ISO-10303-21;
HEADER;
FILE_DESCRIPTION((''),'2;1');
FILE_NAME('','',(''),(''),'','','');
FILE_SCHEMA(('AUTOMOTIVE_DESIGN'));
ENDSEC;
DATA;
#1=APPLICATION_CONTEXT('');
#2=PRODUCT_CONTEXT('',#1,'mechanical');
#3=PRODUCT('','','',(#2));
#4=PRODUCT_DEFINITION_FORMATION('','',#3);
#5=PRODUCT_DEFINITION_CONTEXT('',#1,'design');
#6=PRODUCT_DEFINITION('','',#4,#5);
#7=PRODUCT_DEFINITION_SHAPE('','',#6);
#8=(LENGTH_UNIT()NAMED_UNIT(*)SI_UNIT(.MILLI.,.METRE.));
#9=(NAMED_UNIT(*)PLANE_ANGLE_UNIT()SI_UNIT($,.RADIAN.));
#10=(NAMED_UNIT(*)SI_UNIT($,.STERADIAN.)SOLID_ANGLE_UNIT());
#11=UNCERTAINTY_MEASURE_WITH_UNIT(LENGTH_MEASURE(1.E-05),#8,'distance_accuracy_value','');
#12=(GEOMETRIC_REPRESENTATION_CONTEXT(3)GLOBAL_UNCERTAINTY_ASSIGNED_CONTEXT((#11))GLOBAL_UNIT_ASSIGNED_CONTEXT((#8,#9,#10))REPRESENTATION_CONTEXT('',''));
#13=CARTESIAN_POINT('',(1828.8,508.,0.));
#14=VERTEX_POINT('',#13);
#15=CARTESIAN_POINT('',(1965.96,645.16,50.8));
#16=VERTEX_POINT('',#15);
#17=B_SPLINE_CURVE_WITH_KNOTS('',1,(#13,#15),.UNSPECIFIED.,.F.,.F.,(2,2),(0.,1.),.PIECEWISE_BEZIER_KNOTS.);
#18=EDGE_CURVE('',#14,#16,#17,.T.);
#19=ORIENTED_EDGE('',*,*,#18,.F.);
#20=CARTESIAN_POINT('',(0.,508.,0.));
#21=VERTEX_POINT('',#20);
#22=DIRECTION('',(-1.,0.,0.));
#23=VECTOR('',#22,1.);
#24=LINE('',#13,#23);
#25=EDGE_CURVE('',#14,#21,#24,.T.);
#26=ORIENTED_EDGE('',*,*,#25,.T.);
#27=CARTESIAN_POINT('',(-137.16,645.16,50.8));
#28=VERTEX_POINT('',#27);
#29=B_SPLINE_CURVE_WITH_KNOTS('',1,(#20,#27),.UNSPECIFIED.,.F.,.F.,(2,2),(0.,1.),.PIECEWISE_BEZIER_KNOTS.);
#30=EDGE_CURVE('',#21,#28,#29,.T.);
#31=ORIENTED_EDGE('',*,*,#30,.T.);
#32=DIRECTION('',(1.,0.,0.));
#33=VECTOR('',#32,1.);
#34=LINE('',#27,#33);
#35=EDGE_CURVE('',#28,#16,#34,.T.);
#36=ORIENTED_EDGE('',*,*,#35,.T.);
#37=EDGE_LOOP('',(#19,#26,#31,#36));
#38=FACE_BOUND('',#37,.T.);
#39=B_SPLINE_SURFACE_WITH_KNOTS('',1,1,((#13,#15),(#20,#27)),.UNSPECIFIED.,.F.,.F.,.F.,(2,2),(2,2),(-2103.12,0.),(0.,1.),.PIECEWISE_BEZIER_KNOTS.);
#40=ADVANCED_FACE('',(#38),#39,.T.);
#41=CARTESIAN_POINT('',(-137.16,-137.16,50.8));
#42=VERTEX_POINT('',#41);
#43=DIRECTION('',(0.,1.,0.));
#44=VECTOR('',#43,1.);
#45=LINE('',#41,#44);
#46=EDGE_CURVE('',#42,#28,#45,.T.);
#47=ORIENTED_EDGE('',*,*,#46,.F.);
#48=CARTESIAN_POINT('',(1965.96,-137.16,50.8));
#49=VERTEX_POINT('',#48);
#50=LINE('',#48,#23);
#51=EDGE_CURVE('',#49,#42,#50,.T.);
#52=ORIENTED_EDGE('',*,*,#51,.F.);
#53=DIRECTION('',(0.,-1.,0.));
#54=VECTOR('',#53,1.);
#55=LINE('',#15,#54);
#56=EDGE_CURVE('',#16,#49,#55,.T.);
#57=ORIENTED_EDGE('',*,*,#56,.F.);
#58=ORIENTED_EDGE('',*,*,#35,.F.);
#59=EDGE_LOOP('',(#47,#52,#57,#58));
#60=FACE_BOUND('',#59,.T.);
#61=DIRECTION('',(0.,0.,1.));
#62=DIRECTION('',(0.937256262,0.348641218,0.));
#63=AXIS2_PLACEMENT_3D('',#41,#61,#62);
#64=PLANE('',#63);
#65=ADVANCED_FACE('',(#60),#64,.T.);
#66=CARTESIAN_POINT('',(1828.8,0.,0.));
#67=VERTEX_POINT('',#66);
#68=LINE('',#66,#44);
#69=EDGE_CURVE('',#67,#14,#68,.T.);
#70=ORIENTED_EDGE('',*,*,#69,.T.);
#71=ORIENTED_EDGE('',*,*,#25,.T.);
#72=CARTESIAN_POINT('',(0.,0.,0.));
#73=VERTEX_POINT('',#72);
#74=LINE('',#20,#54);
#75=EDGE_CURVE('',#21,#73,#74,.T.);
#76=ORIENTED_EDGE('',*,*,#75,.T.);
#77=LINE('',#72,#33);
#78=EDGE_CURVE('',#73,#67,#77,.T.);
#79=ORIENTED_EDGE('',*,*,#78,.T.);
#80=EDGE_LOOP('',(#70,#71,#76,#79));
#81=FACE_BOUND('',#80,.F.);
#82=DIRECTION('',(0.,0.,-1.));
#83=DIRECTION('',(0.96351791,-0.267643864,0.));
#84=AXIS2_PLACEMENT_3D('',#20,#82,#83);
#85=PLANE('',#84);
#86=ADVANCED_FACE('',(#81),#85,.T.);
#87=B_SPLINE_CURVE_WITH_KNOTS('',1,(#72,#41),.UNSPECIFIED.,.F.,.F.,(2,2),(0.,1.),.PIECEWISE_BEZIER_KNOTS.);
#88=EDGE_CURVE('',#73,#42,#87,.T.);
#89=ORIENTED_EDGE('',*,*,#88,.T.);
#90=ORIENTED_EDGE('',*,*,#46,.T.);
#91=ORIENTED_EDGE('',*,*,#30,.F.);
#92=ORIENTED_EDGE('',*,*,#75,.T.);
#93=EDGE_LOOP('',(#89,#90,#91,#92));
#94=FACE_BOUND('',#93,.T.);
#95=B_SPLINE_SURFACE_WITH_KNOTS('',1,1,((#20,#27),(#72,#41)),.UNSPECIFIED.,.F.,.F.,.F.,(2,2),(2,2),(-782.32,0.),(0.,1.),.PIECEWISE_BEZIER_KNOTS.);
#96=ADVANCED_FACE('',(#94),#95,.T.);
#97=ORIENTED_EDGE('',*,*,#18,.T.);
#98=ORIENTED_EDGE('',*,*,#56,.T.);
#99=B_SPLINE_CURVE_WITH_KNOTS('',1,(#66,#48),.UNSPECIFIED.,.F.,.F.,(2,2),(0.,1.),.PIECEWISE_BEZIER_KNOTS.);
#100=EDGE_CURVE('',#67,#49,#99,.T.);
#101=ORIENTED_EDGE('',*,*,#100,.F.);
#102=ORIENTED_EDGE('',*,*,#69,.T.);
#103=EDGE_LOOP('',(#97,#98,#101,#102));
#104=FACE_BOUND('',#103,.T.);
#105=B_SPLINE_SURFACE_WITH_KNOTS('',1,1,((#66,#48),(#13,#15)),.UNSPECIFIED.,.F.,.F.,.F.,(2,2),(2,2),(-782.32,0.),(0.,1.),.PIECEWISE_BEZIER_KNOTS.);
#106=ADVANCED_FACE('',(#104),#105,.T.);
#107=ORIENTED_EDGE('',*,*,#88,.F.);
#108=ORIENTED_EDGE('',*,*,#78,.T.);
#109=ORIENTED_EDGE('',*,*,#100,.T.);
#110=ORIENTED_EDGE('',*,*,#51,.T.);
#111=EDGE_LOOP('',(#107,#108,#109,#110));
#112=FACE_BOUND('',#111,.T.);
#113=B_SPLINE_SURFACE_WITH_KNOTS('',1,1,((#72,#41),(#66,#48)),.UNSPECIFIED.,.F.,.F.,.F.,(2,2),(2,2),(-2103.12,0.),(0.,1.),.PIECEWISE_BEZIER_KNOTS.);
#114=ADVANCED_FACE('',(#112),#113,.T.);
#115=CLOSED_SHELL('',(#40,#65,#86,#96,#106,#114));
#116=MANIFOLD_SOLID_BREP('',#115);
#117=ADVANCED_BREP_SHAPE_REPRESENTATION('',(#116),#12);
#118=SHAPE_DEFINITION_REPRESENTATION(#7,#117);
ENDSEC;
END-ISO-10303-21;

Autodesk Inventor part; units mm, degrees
ref_plane "YZ Plane" through (0, 0, 0) normal (1, 0, 0) x (0, 1, 0)
ref_plane "XZ Plane" through (0, 0, 0) normal (0, 1, 0) x (-1, 0, 0)
sketch "Sketch1" plane through (0, 0, 0) normal (0, 0, 1) x (1, 0, 0)
  line L0 (0, 0) -> (1828.8, 0)
  line L1 (1828.8, 0) -> (1828.8, 508)
  line L2 (1828.8, 508) -> (0, 508)
  line L3 (0, 508) -> (0, 0)
  dimension "d0" = 1828.8
  dimension "d1" = 508
ref_plane "Work Plane1" through (0, 0, 50.8) normal (0, 0, 1) x (1, 0, 0)
sketch "Sketch2" plane through (0, 0, 50.8) normal (0, 0, 1) x (1, 0, 0)
  line L0 (1828.8, 508) -> (0, 508) projected
  line L1 (0, 508) -> (0, 0) projected
  line L2 (1828.8, 0) -> (1828.8, 508) projected
  line L3 (0, 0) -> (1828.8, 0) projected
  line L4 (-137.16, 645.16) -> (1965.96, 645.16)
  line L5 (1965.96, 645.16) -> (1965.96, -137.16)
  line L6 (1965.96, -137.16) -> (-137.16, -137.16)
  line L7 (-137.16, -137.16) -> (-137.16, 645.16)
  dimension "d3" = 137.16
loft "Loft1" add profiles "Sketch1", "Sketch2" contours all / L2 L3 L1 L0 | L4 L5 L6 L7
properties part number "loft version"
